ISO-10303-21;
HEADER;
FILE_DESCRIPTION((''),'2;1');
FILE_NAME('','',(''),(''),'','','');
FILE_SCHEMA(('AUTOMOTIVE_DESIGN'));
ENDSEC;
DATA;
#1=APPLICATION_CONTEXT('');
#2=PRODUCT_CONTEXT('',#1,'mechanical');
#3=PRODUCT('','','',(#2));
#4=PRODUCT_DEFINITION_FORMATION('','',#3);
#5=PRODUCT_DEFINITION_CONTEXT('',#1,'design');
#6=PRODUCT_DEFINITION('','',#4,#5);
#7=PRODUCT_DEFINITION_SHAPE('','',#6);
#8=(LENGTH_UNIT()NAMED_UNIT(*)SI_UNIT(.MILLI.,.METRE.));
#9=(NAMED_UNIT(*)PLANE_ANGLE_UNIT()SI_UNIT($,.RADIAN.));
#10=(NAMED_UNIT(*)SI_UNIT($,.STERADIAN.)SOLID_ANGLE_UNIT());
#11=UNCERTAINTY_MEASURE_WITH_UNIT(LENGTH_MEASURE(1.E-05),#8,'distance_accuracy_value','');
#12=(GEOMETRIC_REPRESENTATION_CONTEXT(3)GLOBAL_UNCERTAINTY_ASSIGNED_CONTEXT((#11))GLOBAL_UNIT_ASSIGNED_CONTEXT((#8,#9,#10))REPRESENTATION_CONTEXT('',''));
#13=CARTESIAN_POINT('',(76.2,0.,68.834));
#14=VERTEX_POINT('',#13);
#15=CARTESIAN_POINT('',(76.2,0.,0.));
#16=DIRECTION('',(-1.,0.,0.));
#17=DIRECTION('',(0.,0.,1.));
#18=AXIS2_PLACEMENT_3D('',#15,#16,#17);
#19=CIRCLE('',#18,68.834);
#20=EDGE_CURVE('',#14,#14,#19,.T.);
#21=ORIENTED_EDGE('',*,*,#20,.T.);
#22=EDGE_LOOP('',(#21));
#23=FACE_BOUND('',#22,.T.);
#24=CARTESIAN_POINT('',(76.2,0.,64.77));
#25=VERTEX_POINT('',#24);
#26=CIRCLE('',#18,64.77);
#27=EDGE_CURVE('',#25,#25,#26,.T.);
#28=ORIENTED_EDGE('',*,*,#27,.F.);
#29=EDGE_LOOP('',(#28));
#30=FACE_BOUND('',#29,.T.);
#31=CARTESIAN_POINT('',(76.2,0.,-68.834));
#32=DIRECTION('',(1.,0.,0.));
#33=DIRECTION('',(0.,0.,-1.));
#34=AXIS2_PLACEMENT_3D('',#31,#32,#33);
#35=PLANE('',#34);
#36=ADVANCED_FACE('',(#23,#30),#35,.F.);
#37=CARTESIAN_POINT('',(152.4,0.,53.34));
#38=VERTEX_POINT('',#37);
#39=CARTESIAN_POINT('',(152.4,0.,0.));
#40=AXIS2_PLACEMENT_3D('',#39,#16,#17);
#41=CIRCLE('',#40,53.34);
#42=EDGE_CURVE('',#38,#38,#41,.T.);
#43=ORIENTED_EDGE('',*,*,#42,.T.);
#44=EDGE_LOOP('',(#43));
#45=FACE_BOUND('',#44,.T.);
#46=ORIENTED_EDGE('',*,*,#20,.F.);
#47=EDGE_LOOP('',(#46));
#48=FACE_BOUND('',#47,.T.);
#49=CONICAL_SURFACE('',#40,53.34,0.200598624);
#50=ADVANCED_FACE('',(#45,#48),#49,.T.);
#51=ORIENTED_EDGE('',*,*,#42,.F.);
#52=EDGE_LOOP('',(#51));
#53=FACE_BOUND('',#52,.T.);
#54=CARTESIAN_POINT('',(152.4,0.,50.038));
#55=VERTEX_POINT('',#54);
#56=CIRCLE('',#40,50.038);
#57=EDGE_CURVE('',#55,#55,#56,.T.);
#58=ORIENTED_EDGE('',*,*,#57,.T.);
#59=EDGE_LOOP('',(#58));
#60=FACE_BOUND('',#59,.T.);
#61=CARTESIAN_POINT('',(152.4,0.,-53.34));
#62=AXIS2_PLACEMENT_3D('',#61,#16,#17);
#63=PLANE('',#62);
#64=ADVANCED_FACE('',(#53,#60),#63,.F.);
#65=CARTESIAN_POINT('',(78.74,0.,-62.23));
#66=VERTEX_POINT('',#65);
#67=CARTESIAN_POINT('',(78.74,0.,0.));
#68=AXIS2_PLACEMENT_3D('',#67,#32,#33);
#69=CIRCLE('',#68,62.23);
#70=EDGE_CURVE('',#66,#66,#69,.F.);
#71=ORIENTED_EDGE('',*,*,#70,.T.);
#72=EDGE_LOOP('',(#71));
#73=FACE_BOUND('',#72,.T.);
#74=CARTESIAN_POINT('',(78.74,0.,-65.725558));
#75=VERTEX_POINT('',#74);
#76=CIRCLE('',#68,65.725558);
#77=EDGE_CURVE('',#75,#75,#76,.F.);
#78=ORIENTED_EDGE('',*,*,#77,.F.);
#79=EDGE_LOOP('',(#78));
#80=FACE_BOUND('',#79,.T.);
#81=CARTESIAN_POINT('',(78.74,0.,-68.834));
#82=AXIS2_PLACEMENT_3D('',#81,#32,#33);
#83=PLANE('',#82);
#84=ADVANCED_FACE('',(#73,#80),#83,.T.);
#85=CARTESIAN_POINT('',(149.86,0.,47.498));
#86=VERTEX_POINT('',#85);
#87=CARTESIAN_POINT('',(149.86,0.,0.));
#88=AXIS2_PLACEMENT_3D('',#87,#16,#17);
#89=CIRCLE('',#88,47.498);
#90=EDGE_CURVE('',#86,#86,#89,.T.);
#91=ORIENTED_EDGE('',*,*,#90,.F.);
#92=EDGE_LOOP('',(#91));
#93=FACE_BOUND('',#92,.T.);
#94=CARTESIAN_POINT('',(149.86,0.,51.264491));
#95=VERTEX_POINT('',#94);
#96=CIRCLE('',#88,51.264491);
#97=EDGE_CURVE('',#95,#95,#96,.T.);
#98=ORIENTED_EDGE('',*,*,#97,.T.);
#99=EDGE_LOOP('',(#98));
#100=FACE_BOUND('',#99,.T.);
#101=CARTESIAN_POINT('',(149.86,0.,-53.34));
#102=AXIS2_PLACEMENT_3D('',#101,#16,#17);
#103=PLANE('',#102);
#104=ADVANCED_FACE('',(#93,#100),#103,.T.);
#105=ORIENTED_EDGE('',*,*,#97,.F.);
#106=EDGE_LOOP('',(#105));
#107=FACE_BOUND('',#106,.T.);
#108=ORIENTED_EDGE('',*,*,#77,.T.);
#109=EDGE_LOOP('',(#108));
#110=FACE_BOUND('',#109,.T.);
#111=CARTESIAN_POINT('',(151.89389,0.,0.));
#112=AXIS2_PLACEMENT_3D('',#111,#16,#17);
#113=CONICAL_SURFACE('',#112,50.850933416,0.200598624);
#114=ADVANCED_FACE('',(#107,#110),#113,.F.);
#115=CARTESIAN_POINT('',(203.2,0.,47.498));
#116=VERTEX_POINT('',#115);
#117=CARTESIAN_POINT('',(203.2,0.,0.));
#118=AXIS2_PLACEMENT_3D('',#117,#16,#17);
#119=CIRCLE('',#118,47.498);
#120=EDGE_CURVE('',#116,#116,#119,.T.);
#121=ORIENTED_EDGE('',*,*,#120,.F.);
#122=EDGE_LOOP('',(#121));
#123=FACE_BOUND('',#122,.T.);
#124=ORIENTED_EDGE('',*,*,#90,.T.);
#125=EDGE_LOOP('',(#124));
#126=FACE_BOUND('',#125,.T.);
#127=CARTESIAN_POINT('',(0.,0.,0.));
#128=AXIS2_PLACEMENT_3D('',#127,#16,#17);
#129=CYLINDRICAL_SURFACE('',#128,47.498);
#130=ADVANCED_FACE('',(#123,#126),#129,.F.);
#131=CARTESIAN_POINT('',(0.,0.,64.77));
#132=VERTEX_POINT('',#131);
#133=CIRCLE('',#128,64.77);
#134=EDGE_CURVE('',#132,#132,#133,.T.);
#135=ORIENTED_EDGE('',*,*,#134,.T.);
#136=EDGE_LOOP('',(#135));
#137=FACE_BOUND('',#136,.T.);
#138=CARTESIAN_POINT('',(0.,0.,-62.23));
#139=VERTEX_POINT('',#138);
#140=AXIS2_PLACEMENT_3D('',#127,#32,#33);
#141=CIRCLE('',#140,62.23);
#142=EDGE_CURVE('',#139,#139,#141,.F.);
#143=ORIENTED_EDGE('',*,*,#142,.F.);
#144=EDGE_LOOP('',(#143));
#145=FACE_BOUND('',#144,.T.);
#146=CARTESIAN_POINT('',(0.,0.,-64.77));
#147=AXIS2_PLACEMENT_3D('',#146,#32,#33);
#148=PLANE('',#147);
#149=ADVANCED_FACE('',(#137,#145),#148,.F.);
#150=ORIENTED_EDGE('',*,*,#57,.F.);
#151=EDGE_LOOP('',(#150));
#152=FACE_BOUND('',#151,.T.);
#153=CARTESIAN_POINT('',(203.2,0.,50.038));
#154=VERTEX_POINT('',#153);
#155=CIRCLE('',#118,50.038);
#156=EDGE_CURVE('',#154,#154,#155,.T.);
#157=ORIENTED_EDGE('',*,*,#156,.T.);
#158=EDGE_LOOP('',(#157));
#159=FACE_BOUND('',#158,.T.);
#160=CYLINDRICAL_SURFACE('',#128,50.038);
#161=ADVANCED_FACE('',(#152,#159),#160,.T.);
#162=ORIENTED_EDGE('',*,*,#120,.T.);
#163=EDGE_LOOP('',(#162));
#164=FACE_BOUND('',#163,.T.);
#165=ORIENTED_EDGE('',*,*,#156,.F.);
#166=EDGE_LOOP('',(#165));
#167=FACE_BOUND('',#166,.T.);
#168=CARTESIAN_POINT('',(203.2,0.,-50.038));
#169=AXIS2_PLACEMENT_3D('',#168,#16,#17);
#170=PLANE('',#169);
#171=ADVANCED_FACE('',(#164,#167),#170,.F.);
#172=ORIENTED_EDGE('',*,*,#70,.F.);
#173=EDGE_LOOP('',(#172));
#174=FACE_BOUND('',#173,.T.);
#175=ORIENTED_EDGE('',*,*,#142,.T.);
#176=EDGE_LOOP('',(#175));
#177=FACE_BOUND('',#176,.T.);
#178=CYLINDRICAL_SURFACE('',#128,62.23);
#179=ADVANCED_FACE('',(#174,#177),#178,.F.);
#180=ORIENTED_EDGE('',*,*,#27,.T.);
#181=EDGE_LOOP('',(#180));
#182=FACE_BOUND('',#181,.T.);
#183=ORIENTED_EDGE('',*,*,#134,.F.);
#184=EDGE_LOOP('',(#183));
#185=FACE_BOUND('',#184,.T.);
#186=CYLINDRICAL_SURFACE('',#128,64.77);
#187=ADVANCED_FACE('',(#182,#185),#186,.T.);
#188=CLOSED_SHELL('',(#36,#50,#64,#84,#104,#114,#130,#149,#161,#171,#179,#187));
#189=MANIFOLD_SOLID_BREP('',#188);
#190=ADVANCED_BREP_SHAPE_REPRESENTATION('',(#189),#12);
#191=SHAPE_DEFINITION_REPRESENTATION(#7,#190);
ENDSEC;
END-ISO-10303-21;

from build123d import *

# Parameters (mm, degrees)
SHELL1_T = -2.54


with BuildPart() as part:
    # Sketch1 → Revolve1 (revolve)
    with BuildSketch(Plane(origin=(0, 0, 0), x_dir=(1, 0, 0), z_dir=(0, 1, 0)), mode=Mode.PRIVATE) as revolve1_sk:
        Polygon((76.2, 68.834), (152.4, 53.34), (152.4, 50.038), (203.2, 50.038), (203.2, 0), (0, 0), (0, 64.77), (76.2, 64.77), align=None)
    revolve(revolve1_sk.sketch.rotate(Axis((0, 0, 0), (1, 0, 0)), 180), axis=Axis((0, 0, 0), (1, 0, 0)))

    # Shell1
    shell1_openings = [part.faces().sort_by_distance(p)[0] for p in [
        (0, 0, 0),
        (203.2, 0, 0),
    ]]
    offset(amount=SHELL1_T, openings=shell1_openings, kind=Kind.INTERSECTION)


solid = part.part
